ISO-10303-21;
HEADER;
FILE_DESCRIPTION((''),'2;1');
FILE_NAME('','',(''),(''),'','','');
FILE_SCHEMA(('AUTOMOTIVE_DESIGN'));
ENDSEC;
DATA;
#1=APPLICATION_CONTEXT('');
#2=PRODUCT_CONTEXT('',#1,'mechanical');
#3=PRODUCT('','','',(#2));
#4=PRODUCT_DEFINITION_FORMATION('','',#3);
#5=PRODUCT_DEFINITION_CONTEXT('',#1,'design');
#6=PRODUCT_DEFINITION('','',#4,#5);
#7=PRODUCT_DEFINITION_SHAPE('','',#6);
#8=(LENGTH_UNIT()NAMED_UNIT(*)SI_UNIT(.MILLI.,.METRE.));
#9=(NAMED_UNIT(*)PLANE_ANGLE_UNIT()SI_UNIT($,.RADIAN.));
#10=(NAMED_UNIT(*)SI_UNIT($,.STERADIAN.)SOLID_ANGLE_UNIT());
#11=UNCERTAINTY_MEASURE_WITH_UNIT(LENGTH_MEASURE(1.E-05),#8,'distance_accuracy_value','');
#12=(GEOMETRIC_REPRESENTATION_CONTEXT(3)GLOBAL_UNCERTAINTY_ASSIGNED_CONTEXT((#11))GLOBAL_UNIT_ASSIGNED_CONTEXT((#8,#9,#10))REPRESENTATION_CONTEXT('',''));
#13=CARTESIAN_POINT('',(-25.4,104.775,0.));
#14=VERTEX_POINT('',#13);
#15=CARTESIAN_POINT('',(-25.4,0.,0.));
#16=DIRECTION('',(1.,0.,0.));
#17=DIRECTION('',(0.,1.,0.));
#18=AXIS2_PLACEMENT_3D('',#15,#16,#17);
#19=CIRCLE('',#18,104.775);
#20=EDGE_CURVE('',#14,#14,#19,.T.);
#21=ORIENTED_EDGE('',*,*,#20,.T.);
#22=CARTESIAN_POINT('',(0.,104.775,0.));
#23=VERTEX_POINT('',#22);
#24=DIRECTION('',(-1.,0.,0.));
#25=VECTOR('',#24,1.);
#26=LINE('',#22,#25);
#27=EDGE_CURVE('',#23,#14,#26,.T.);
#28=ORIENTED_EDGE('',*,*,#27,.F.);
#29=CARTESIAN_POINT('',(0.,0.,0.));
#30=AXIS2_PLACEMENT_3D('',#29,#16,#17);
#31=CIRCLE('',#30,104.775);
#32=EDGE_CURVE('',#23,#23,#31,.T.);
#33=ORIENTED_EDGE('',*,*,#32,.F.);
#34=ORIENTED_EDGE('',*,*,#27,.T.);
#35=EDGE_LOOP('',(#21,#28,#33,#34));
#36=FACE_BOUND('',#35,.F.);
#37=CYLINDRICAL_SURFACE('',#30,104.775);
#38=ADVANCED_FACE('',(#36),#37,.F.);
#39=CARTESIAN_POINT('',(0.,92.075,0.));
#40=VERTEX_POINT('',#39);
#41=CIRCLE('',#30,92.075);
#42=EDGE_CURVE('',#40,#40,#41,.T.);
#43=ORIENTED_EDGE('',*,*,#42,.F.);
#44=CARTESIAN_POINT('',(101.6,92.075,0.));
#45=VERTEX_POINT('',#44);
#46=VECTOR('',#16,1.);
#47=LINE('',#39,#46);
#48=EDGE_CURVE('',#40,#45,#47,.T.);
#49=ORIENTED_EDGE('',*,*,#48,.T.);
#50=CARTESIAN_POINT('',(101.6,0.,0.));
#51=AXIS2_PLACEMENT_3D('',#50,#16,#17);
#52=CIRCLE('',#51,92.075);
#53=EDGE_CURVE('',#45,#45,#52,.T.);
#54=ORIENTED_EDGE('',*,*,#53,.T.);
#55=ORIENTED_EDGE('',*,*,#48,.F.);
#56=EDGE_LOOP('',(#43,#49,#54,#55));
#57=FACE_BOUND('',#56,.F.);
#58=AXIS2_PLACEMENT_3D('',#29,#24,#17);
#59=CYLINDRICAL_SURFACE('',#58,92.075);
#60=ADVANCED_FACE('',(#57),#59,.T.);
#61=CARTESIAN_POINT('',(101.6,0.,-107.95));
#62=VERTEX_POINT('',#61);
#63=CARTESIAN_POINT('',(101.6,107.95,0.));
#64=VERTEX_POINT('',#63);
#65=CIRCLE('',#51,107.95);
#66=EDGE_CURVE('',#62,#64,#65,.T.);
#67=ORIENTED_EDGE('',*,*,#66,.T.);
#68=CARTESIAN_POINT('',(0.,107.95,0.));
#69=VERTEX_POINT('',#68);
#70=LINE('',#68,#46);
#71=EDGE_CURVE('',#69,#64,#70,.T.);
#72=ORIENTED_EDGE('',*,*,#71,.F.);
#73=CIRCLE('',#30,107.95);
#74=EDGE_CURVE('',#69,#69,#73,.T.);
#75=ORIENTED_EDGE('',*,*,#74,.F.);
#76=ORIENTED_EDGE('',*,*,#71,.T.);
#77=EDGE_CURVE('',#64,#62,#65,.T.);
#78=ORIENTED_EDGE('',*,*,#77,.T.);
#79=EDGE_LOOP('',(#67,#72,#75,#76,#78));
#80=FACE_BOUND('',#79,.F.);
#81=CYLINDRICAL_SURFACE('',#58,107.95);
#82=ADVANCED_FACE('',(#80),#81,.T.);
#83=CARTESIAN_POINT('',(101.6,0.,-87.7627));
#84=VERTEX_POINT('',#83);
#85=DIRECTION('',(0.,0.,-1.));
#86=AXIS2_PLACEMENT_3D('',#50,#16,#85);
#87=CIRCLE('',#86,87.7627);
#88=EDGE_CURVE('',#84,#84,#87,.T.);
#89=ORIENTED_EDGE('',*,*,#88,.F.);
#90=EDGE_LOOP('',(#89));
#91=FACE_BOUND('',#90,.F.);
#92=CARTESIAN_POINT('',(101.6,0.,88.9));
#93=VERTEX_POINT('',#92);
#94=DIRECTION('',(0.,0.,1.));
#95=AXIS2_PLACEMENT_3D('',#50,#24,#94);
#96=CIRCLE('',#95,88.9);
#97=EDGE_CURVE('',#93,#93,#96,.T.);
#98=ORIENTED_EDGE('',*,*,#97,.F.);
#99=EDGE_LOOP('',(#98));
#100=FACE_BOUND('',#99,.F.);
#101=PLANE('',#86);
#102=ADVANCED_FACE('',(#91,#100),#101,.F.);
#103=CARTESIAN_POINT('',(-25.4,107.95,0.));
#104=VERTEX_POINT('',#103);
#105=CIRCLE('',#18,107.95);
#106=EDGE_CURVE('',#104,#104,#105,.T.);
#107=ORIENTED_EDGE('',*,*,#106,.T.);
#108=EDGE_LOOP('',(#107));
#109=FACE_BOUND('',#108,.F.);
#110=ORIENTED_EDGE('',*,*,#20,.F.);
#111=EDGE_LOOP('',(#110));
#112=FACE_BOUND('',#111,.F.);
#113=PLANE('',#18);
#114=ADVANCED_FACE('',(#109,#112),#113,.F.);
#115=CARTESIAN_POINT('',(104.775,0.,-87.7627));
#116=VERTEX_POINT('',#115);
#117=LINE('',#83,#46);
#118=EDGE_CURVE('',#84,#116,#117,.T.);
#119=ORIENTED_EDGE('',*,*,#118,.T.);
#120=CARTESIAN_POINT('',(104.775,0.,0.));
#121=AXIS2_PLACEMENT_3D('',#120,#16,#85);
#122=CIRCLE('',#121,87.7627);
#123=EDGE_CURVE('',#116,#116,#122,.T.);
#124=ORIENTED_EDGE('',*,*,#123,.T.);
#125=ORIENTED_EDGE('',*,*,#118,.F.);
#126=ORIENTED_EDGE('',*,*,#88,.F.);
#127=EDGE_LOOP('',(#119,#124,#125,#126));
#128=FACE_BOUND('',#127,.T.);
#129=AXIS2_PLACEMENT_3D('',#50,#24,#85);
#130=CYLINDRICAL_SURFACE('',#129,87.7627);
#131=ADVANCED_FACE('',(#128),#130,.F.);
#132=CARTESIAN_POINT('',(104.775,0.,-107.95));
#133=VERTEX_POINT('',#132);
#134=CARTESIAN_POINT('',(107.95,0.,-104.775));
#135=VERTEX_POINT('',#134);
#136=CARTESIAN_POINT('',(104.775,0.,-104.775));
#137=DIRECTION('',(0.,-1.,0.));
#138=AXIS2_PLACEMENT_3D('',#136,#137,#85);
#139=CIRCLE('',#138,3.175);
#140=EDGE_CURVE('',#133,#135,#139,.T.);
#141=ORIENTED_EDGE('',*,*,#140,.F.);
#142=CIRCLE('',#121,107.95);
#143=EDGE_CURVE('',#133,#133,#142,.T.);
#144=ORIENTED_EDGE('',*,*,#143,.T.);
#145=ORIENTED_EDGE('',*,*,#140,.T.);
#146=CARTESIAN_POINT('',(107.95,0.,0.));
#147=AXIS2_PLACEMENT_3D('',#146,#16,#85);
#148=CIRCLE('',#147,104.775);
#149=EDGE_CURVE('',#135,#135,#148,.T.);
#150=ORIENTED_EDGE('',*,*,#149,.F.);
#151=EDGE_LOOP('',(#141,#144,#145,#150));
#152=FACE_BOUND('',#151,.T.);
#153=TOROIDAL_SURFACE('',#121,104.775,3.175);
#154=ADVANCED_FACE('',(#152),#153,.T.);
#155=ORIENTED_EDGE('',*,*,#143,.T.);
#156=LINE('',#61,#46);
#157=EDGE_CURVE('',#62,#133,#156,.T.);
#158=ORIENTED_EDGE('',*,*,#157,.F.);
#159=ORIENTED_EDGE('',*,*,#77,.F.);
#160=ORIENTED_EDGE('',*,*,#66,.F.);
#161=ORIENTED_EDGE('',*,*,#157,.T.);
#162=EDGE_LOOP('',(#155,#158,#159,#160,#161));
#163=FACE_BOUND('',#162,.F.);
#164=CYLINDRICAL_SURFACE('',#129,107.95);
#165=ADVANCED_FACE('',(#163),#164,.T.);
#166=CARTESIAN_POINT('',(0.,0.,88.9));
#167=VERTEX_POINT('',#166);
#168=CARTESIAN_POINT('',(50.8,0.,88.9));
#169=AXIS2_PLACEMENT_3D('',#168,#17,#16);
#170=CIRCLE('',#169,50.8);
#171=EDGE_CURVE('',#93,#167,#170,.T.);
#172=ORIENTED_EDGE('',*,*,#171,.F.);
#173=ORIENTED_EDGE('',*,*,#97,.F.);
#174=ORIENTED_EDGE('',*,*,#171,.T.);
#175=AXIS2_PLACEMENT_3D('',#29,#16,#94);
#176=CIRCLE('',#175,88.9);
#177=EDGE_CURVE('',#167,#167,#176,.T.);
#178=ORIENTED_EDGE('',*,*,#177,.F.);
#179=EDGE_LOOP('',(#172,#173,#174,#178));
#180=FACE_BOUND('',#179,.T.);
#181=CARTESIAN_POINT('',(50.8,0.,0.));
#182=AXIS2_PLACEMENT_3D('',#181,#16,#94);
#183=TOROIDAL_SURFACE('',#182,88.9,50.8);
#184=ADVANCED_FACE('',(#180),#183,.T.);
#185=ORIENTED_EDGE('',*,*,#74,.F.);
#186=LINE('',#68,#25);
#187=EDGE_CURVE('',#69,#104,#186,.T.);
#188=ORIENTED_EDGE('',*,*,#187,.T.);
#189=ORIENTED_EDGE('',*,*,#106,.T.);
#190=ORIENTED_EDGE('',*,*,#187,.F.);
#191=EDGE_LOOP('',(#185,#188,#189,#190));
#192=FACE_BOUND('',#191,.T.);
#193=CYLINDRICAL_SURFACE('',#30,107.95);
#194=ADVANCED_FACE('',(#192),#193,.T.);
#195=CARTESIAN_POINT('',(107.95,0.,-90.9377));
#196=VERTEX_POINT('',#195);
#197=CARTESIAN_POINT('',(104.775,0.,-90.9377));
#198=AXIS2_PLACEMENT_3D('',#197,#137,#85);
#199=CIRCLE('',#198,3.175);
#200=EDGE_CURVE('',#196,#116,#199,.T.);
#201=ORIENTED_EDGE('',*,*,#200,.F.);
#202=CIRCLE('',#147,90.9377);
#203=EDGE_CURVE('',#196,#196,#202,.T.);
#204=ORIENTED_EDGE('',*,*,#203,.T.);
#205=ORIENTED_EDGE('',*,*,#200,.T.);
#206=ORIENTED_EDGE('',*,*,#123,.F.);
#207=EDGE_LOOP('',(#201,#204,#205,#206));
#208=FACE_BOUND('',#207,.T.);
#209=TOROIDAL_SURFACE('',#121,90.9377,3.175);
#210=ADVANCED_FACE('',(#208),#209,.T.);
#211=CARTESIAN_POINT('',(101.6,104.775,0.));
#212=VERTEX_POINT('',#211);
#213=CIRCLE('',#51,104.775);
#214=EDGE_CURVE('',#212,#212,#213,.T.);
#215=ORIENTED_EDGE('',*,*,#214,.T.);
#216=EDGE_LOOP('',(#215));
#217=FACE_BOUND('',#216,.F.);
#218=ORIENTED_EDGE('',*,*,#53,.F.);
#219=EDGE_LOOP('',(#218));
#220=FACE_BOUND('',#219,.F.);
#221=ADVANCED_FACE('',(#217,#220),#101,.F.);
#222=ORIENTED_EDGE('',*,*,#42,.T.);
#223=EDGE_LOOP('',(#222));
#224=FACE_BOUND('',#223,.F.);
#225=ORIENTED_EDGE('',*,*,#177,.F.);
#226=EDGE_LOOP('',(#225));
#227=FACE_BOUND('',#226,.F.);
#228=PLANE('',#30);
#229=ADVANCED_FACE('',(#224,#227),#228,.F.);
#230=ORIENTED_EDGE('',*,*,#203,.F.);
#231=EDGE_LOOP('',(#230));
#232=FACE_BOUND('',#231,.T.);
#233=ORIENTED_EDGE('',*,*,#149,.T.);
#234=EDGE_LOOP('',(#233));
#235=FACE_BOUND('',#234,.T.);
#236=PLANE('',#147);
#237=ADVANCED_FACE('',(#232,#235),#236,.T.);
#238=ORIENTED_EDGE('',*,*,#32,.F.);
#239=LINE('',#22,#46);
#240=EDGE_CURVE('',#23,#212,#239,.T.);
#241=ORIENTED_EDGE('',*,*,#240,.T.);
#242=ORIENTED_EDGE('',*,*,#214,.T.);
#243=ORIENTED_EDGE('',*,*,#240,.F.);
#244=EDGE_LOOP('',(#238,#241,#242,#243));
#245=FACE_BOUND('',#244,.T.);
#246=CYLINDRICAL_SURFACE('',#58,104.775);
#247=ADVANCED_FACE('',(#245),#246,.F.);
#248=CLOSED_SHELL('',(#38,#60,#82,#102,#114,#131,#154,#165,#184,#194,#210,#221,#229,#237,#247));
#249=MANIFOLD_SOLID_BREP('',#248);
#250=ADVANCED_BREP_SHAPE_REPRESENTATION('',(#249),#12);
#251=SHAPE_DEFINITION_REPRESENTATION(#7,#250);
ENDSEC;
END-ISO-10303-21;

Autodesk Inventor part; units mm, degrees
ref_plane "YZ Plane" through (0, 0, 0) normal (1, 0, 0) x (0, 1, 0)
ref_plane "XZ Plane" through (0, 0, 0) normal (0, 1, 0) x (-1, 0, 0)
sketch "Sketch1" plane through (0, 0, 0) normal (1, 0, 0) x (0, 1, 0)
  circle A0 centre (0, 0) radius 88.9
  circle A1 centre (0, 0) radius 92.075
  dimension "d0" = 177.8
  dimension "d1" = 184.15
extrude "Extrusion1" add sketch "Sketch1" along normal blind 101.6
ref_plane "Work Plane1" through (50.8, 0, 0) normal (1, 0, 0) x (0, 0, -1)
sketch "Sketch5" plane through (0, 0, 0) normal (0, 1, 0) x (-1, 0, 0)
  line L0 (20.32, 0) -> (-121.92, 0) projected
  line L1 (0, -88.9) -> (0, 88.9) projected
  line L2 (0, 88.9) -> (-101.6, 88.9)
  line L3 (-101.6, 92.075) -> (-101.6, -92.075) projected
  line L4 (-101.6, -88.9) -> (-101.6, 88.9) projected
  arc A0 (-101.6, 88.9) -> (0, 88.9) centre (-50.8, 88.9) ccw
  point P0 (0, 0)
  dimension "d23" = 50.8
revolve "Revolution1" add sketch "Sketch5" angle 360 about axis through (-10, 0, 0) along (1, 0, 0) contours A0 L2
sketch "Sketch6" plane through (0, 0, 0) normal (1, 0, 0) x (0, 1, 0)
  circle A0 centre (0, 0) radius 104.775
  circle A1 centre (0, 0) radius 107.95
  dimension "d17" = 215.9
  dimension "d18" = 209.55
extrude "Extrusion3" add sketch "Sketch6" along normal blind 101.6 and the other way blind 25.4
sketch "Sketch7" plane through (101.6, 0, 0) normal (1, 0, 0) x (0, 0, -1)
  circle A0 centre (0, 0) radius 107.95
  circle A1 centre (0, 0) radius 87.7627
extrude "Extrusion4" add sketch "Sketch7" along normal blind 6.35
fillet "Fillet1" radius 3.175 2 edges at (107.95, 0, 87.7627) (107.95, 0, 107.95)
properties part number "AirBagV1" material "Steel, Alloy"
